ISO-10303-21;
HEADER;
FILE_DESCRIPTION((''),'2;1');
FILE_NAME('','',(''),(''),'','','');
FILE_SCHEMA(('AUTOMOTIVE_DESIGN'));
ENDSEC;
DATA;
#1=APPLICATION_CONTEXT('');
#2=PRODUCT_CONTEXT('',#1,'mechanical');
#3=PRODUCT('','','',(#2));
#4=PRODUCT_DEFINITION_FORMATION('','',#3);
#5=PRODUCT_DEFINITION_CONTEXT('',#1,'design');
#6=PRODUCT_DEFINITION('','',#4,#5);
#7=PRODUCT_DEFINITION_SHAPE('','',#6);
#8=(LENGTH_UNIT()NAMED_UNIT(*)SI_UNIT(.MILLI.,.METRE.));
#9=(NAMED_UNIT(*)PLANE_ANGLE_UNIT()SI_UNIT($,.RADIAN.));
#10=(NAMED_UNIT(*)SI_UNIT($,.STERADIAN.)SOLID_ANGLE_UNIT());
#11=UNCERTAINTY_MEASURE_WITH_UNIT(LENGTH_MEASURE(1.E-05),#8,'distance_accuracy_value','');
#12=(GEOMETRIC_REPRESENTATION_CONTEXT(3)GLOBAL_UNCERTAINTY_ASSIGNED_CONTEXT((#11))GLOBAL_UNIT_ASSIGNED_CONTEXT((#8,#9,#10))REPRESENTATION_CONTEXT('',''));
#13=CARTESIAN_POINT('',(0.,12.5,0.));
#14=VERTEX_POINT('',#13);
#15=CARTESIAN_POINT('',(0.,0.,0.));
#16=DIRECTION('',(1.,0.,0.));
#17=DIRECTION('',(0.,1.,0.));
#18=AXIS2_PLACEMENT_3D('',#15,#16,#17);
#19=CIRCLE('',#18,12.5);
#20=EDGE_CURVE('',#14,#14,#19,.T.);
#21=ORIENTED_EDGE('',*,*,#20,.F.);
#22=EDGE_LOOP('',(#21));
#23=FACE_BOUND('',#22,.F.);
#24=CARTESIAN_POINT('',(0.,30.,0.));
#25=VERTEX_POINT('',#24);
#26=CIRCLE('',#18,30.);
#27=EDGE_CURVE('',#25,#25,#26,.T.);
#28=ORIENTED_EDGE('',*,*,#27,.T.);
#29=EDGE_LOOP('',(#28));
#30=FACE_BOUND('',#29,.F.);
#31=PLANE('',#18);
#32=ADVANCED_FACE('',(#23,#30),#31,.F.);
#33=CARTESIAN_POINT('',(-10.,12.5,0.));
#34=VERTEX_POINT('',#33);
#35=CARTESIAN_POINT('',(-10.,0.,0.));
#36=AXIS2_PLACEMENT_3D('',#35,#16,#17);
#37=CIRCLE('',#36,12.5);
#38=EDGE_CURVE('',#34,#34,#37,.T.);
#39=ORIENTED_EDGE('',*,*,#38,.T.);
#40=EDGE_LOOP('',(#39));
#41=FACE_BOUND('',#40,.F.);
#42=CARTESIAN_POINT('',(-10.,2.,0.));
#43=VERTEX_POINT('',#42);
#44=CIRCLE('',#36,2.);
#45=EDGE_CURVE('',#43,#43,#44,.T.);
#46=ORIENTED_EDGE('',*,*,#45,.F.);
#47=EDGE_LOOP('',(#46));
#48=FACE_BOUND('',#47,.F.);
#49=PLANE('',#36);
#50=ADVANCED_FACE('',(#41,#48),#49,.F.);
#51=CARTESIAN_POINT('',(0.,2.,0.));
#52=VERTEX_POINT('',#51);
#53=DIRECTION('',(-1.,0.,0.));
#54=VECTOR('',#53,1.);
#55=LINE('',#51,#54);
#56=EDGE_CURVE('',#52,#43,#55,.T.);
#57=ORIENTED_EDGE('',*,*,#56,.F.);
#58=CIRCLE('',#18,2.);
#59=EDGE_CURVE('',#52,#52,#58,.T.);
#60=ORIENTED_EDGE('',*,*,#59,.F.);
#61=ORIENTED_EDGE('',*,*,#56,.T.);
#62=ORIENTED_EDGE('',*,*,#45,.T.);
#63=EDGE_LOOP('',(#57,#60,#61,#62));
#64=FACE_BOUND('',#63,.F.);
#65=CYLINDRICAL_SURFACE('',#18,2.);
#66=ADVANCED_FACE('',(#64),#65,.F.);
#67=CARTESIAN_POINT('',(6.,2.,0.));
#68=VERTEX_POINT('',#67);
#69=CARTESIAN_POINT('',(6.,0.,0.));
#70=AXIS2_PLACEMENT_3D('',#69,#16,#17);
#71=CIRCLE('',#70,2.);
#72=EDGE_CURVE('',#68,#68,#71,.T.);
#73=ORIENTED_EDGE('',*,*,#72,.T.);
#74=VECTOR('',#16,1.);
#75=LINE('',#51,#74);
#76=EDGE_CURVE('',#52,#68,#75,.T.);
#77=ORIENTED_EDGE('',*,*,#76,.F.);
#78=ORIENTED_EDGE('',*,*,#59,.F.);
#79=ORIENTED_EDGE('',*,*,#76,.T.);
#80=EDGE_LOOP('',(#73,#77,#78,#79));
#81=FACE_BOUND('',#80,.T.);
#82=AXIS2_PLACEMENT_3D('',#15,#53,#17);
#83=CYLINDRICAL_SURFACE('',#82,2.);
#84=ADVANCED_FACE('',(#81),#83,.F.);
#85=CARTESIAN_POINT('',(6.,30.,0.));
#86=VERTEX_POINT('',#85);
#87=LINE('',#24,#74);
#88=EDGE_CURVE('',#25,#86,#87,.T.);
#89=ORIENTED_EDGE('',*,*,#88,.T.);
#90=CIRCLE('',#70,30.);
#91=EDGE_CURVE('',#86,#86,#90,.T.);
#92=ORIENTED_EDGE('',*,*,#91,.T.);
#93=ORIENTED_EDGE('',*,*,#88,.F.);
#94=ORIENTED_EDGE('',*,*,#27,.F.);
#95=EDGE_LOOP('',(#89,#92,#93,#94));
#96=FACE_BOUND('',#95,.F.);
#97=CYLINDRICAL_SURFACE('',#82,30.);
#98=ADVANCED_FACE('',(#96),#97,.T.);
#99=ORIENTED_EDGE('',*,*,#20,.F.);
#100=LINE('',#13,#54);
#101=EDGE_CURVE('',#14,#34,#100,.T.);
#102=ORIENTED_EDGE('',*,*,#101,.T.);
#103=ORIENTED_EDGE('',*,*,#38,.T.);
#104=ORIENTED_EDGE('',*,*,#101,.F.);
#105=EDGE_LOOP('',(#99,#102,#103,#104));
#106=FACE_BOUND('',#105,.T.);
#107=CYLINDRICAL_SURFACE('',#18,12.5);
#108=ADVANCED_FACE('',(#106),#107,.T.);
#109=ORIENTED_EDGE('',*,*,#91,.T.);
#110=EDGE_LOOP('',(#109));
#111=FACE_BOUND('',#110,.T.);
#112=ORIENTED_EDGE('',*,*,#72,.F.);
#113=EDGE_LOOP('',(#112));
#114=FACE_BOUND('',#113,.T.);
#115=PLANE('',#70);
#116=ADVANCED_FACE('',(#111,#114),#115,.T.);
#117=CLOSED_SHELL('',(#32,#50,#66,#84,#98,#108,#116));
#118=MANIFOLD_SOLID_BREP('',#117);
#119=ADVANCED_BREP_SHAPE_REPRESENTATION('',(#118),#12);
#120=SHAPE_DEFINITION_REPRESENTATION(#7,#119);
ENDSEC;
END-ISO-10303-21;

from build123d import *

# Parameters (mm, degrees)
F0_R     = 30
F0_R_2   = 2
F1_DEPTH = 6
F2_R     = 12.5
F2_R_2   = 2
F3_DEPTH = 10


with BuildPart() as f1:
    # F0 (on Right) → F1 (new body)
    with BuildSketch(Plane.YZ):
        Circle(F0_R)
        Circle(F0_R_2, mode=Mode.SUBTRACT)
    extrude(amount=F1_DEPTH)

    # F2 (on Right) → F3 (join)
    with BuildSketch(Plane.YZ):
        Circle(F2_R)
        Circle(F2_R_2, mode=Mode.SUBTRACT)
    extrude(amount=-F3_DEPTH)


solid = f1.part
